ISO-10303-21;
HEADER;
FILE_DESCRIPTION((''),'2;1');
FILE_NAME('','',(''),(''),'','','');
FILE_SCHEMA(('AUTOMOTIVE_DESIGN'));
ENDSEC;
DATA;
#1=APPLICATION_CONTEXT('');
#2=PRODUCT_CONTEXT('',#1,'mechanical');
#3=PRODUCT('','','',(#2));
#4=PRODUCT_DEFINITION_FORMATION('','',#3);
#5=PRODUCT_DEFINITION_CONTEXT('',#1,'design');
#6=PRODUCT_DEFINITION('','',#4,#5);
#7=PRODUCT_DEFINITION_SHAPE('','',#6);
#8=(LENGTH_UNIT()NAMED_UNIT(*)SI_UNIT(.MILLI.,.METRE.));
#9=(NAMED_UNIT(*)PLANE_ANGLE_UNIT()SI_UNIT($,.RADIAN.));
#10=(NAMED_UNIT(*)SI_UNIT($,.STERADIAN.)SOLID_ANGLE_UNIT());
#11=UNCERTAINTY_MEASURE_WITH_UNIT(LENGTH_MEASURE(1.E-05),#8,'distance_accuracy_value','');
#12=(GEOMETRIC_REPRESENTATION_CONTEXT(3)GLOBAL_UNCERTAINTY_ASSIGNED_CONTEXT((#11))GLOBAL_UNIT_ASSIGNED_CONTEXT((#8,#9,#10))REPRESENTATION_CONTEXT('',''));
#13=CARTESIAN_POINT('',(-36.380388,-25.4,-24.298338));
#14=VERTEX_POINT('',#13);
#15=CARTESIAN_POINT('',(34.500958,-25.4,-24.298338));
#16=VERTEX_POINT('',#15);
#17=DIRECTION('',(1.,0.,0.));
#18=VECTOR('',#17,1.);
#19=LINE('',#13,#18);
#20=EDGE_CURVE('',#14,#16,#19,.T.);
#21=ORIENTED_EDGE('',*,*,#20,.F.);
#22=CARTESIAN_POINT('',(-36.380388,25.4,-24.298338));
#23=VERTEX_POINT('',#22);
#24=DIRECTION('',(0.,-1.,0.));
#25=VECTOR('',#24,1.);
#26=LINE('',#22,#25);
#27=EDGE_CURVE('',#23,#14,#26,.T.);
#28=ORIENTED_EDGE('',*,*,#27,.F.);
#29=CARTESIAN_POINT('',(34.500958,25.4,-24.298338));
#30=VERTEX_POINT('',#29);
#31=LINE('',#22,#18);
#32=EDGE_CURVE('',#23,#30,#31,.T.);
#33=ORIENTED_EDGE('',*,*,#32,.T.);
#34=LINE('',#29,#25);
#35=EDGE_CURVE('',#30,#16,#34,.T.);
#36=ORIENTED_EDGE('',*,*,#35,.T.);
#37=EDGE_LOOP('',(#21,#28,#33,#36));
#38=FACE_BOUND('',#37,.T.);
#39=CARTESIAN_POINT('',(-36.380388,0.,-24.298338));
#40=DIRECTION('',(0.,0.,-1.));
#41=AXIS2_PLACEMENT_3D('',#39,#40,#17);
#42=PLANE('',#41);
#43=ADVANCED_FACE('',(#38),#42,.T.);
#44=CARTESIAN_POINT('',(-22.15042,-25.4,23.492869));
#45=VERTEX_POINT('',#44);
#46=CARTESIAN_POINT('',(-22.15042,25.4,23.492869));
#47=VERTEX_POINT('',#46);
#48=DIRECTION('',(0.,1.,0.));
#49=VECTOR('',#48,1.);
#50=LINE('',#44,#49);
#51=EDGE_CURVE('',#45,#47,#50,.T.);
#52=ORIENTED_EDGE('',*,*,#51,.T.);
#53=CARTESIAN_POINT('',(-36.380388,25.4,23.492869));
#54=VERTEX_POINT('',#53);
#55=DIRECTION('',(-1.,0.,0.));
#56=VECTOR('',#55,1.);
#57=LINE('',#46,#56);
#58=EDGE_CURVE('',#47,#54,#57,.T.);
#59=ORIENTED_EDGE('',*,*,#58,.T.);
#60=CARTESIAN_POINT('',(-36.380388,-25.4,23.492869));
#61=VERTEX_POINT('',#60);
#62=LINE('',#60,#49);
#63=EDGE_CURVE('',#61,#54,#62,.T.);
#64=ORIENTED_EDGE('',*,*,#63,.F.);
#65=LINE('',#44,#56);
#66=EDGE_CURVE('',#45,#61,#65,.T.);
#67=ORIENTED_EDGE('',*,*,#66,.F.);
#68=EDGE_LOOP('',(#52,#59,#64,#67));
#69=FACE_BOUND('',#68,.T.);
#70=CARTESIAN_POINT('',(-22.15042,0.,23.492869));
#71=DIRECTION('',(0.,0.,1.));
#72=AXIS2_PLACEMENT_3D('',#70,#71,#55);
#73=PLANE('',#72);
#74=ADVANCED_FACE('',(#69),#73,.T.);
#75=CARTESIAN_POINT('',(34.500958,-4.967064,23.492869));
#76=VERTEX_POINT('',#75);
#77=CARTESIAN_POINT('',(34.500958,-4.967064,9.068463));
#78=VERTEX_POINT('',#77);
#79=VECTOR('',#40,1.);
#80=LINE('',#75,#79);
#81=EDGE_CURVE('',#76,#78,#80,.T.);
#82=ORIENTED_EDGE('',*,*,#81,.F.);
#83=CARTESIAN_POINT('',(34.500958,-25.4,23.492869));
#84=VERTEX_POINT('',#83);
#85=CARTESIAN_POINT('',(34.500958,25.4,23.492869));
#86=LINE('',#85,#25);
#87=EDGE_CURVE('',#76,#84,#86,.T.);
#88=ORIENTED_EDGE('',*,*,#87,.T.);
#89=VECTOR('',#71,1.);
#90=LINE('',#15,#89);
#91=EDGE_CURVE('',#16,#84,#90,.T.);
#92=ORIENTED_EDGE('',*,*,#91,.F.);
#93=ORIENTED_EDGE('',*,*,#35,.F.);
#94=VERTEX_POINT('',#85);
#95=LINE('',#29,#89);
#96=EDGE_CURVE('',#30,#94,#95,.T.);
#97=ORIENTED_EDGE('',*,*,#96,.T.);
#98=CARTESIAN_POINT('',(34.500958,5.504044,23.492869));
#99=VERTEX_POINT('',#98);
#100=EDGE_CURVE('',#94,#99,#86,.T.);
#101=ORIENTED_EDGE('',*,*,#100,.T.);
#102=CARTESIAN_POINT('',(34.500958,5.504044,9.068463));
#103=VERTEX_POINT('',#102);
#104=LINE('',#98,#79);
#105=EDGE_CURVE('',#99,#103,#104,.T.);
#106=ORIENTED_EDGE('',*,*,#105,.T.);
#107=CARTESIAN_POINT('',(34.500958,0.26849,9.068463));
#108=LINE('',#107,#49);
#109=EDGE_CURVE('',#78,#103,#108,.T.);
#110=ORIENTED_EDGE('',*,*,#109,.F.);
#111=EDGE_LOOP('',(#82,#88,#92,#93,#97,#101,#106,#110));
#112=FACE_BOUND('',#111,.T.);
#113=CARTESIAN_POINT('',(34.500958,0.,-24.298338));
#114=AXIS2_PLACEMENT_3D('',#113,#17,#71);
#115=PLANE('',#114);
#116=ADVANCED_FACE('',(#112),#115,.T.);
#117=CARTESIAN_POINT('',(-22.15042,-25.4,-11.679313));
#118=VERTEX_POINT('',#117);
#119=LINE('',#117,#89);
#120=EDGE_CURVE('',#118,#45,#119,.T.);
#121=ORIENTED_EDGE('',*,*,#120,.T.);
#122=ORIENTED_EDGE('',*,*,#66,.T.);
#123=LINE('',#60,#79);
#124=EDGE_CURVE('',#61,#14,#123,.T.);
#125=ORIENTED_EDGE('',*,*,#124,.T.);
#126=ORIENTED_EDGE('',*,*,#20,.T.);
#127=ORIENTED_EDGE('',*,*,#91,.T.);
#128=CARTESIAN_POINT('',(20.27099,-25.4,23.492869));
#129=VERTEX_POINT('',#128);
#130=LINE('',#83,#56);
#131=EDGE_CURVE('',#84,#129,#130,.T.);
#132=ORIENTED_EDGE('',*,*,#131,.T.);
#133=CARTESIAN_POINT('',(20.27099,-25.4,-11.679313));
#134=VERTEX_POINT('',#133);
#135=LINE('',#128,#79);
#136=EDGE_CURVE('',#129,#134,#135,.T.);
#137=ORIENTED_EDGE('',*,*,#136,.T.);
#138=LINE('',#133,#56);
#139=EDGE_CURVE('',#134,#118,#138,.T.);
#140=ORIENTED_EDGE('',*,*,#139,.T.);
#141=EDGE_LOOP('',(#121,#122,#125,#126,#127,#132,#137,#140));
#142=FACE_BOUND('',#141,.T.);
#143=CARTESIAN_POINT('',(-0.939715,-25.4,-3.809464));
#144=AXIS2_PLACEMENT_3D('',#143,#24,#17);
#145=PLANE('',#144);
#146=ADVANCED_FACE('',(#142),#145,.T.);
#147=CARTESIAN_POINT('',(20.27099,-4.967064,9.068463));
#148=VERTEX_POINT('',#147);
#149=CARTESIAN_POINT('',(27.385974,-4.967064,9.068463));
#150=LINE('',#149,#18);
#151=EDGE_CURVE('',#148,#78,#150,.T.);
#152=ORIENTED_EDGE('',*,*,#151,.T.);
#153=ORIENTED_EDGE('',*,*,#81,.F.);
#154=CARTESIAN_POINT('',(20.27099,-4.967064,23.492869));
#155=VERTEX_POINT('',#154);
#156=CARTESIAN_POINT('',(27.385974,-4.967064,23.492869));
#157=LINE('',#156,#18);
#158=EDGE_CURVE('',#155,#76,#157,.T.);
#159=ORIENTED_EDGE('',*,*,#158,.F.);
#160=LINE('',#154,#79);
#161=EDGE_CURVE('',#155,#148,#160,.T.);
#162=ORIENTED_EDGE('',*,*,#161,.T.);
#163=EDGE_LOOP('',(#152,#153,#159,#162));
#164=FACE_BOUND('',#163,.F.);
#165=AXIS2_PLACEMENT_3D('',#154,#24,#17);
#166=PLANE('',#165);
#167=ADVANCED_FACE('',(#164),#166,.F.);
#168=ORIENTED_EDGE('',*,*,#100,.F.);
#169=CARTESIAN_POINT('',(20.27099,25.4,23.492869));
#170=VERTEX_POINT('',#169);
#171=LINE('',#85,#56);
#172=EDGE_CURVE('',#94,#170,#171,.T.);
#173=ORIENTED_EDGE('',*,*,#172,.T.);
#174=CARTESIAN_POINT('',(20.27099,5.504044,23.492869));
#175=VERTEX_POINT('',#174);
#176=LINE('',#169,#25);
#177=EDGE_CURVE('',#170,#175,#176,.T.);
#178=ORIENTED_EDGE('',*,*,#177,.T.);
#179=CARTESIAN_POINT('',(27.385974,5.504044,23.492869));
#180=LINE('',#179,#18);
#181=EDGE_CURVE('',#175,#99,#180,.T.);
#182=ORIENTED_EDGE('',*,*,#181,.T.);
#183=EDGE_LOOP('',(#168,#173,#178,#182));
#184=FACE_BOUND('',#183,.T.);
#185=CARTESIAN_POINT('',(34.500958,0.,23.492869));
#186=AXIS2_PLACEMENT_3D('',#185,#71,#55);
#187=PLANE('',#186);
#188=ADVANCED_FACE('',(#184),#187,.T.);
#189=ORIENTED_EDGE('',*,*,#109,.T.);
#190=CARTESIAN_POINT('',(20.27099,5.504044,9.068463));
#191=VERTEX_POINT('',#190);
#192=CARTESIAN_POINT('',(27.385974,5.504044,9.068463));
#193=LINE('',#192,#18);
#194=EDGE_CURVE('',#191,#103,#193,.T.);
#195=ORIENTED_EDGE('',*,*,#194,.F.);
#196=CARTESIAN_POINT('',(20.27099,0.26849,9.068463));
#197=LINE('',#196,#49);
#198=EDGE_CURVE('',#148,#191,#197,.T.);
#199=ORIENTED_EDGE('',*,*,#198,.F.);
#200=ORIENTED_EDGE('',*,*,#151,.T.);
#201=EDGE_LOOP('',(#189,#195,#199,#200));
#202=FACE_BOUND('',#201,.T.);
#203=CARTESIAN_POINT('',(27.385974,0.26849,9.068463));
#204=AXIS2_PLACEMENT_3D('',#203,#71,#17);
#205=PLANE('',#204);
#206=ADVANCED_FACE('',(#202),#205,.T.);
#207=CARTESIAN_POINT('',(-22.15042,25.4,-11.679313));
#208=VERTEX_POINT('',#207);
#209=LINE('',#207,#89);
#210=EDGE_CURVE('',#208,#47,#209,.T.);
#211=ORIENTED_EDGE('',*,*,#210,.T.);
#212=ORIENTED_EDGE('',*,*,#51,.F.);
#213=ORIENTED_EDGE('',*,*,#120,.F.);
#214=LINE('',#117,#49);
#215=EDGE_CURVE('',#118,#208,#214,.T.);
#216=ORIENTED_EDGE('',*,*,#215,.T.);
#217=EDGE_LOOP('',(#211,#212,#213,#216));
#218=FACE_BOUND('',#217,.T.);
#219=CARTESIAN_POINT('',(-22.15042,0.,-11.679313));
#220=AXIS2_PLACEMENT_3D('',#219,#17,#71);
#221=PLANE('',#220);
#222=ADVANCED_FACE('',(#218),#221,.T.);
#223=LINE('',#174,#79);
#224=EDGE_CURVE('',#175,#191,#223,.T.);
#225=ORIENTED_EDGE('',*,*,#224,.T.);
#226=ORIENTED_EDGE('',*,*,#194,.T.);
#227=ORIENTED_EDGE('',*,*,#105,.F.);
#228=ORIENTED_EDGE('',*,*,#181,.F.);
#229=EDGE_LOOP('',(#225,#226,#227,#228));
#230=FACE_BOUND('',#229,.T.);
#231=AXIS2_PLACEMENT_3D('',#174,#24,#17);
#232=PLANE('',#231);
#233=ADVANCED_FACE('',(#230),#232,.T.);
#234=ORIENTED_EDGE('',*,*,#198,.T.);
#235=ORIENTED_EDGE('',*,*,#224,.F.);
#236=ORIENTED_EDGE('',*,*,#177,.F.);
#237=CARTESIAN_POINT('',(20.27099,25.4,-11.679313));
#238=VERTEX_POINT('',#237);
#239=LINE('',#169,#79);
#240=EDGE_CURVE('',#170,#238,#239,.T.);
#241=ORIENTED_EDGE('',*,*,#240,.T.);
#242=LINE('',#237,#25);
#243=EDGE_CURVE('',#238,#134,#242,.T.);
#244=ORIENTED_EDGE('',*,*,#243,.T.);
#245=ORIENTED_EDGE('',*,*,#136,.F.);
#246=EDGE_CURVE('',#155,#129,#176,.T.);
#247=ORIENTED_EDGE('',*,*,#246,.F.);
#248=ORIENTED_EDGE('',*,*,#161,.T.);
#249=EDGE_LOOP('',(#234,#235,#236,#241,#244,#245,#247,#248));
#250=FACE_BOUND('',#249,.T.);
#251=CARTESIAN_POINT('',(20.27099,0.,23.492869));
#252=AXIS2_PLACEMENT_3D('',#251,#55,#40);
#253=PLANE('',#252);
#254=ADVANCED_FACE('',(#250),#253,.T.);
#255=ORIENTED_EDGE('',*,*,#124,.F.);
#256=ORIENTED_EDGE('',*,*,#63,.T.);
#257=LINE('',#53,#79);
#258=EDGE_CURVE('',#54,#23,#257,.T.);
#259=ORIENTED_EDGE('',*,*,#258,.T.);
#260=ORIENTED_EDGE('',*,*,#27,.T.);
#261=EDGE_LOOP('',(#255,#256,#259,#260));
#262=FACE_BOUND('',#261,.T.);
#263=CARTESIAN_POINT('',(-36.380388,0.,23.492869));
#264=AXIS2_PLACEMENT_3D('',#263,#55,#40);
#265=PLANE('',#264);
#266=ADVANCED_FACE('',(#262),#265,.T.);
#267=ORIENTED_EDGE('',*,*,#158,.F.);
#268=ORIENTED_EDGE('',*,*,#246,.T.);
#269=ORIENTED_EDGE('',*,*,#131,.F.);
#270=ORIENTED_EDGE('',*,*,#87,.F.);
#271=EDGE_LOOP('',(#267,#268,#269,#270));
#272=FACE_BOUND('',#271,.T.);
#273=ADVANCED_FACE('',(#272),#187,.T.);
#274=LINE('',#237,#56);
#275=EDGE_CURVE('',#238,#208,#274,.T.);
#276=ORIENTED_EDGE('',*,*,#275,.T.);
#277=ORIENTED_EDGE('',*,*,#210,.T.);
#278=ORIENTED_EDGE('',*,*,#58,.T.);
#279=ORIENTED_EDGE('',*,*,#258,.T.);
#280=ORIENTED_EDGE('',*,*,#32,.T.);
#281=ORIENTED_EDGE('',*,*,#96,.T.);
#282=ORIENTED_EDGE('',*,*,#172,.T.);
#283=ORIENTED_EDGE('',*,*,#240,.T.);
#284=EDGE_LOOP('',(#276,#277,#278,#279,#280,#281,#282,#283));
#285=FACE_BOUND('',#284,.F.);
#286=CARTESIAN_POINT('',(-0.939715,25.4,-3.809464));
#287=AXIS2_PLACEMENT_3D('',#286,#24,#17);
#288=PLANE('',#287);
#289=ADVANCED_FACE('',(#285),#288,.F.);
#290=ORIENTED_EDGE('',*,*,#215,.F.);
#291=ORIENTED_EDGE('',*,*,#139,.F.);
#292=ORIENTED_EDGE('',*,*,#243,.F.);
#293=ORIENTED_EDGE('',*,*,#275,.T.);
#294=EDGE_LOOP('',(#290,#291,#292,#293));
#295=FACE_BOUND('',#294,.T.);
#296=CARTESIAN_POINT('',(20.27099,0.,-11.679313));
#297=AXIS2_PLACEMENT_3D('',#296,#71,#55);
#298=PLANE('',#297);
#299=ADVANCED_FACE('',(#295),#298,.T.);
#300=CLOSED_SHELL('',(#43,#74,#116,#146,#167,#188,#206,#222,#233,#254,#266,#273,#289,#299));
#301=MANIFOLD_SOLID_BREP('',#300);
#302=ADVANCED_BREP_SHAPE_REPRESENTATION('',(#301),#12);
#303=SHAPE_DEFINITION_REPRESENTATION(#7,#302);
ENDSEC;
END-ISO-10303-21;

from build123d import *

# Parameters (mm, degrees)
F1_DEPTH = 25.4
F2_W     = 14.229968
F2_H     = 10.471108
F3_DEPTH = 14.424406


with BuildPart() as f1:
    # F0 (on Front) → F1 (new body, symmetric)
    with BuildSketch(Plane.XZ):
        Polygon((-36.380388, 23.492869), (-36.380388, -24.298338), (34.500958, -24.298338), (34.500958, 23.492869), (20.27099, 23.492869), (20.27099, -11.679313), (-22.15042, -11.679313), (-22.15042, 23.492869), align=None)
    extrude(amount=F1_DEPTH, both=True)

    # F2 (on face) → F3 (cut)
    with BuildSketch(Plane.XY.offset(23.492869)):
        with Locations((27.385974, 0.26849)):
            Rectangle(F2_W, F2_H)
    extrude(amount=-F3_DEPTH, mode=Mode.SUBTRACT)


solid = f1.part
